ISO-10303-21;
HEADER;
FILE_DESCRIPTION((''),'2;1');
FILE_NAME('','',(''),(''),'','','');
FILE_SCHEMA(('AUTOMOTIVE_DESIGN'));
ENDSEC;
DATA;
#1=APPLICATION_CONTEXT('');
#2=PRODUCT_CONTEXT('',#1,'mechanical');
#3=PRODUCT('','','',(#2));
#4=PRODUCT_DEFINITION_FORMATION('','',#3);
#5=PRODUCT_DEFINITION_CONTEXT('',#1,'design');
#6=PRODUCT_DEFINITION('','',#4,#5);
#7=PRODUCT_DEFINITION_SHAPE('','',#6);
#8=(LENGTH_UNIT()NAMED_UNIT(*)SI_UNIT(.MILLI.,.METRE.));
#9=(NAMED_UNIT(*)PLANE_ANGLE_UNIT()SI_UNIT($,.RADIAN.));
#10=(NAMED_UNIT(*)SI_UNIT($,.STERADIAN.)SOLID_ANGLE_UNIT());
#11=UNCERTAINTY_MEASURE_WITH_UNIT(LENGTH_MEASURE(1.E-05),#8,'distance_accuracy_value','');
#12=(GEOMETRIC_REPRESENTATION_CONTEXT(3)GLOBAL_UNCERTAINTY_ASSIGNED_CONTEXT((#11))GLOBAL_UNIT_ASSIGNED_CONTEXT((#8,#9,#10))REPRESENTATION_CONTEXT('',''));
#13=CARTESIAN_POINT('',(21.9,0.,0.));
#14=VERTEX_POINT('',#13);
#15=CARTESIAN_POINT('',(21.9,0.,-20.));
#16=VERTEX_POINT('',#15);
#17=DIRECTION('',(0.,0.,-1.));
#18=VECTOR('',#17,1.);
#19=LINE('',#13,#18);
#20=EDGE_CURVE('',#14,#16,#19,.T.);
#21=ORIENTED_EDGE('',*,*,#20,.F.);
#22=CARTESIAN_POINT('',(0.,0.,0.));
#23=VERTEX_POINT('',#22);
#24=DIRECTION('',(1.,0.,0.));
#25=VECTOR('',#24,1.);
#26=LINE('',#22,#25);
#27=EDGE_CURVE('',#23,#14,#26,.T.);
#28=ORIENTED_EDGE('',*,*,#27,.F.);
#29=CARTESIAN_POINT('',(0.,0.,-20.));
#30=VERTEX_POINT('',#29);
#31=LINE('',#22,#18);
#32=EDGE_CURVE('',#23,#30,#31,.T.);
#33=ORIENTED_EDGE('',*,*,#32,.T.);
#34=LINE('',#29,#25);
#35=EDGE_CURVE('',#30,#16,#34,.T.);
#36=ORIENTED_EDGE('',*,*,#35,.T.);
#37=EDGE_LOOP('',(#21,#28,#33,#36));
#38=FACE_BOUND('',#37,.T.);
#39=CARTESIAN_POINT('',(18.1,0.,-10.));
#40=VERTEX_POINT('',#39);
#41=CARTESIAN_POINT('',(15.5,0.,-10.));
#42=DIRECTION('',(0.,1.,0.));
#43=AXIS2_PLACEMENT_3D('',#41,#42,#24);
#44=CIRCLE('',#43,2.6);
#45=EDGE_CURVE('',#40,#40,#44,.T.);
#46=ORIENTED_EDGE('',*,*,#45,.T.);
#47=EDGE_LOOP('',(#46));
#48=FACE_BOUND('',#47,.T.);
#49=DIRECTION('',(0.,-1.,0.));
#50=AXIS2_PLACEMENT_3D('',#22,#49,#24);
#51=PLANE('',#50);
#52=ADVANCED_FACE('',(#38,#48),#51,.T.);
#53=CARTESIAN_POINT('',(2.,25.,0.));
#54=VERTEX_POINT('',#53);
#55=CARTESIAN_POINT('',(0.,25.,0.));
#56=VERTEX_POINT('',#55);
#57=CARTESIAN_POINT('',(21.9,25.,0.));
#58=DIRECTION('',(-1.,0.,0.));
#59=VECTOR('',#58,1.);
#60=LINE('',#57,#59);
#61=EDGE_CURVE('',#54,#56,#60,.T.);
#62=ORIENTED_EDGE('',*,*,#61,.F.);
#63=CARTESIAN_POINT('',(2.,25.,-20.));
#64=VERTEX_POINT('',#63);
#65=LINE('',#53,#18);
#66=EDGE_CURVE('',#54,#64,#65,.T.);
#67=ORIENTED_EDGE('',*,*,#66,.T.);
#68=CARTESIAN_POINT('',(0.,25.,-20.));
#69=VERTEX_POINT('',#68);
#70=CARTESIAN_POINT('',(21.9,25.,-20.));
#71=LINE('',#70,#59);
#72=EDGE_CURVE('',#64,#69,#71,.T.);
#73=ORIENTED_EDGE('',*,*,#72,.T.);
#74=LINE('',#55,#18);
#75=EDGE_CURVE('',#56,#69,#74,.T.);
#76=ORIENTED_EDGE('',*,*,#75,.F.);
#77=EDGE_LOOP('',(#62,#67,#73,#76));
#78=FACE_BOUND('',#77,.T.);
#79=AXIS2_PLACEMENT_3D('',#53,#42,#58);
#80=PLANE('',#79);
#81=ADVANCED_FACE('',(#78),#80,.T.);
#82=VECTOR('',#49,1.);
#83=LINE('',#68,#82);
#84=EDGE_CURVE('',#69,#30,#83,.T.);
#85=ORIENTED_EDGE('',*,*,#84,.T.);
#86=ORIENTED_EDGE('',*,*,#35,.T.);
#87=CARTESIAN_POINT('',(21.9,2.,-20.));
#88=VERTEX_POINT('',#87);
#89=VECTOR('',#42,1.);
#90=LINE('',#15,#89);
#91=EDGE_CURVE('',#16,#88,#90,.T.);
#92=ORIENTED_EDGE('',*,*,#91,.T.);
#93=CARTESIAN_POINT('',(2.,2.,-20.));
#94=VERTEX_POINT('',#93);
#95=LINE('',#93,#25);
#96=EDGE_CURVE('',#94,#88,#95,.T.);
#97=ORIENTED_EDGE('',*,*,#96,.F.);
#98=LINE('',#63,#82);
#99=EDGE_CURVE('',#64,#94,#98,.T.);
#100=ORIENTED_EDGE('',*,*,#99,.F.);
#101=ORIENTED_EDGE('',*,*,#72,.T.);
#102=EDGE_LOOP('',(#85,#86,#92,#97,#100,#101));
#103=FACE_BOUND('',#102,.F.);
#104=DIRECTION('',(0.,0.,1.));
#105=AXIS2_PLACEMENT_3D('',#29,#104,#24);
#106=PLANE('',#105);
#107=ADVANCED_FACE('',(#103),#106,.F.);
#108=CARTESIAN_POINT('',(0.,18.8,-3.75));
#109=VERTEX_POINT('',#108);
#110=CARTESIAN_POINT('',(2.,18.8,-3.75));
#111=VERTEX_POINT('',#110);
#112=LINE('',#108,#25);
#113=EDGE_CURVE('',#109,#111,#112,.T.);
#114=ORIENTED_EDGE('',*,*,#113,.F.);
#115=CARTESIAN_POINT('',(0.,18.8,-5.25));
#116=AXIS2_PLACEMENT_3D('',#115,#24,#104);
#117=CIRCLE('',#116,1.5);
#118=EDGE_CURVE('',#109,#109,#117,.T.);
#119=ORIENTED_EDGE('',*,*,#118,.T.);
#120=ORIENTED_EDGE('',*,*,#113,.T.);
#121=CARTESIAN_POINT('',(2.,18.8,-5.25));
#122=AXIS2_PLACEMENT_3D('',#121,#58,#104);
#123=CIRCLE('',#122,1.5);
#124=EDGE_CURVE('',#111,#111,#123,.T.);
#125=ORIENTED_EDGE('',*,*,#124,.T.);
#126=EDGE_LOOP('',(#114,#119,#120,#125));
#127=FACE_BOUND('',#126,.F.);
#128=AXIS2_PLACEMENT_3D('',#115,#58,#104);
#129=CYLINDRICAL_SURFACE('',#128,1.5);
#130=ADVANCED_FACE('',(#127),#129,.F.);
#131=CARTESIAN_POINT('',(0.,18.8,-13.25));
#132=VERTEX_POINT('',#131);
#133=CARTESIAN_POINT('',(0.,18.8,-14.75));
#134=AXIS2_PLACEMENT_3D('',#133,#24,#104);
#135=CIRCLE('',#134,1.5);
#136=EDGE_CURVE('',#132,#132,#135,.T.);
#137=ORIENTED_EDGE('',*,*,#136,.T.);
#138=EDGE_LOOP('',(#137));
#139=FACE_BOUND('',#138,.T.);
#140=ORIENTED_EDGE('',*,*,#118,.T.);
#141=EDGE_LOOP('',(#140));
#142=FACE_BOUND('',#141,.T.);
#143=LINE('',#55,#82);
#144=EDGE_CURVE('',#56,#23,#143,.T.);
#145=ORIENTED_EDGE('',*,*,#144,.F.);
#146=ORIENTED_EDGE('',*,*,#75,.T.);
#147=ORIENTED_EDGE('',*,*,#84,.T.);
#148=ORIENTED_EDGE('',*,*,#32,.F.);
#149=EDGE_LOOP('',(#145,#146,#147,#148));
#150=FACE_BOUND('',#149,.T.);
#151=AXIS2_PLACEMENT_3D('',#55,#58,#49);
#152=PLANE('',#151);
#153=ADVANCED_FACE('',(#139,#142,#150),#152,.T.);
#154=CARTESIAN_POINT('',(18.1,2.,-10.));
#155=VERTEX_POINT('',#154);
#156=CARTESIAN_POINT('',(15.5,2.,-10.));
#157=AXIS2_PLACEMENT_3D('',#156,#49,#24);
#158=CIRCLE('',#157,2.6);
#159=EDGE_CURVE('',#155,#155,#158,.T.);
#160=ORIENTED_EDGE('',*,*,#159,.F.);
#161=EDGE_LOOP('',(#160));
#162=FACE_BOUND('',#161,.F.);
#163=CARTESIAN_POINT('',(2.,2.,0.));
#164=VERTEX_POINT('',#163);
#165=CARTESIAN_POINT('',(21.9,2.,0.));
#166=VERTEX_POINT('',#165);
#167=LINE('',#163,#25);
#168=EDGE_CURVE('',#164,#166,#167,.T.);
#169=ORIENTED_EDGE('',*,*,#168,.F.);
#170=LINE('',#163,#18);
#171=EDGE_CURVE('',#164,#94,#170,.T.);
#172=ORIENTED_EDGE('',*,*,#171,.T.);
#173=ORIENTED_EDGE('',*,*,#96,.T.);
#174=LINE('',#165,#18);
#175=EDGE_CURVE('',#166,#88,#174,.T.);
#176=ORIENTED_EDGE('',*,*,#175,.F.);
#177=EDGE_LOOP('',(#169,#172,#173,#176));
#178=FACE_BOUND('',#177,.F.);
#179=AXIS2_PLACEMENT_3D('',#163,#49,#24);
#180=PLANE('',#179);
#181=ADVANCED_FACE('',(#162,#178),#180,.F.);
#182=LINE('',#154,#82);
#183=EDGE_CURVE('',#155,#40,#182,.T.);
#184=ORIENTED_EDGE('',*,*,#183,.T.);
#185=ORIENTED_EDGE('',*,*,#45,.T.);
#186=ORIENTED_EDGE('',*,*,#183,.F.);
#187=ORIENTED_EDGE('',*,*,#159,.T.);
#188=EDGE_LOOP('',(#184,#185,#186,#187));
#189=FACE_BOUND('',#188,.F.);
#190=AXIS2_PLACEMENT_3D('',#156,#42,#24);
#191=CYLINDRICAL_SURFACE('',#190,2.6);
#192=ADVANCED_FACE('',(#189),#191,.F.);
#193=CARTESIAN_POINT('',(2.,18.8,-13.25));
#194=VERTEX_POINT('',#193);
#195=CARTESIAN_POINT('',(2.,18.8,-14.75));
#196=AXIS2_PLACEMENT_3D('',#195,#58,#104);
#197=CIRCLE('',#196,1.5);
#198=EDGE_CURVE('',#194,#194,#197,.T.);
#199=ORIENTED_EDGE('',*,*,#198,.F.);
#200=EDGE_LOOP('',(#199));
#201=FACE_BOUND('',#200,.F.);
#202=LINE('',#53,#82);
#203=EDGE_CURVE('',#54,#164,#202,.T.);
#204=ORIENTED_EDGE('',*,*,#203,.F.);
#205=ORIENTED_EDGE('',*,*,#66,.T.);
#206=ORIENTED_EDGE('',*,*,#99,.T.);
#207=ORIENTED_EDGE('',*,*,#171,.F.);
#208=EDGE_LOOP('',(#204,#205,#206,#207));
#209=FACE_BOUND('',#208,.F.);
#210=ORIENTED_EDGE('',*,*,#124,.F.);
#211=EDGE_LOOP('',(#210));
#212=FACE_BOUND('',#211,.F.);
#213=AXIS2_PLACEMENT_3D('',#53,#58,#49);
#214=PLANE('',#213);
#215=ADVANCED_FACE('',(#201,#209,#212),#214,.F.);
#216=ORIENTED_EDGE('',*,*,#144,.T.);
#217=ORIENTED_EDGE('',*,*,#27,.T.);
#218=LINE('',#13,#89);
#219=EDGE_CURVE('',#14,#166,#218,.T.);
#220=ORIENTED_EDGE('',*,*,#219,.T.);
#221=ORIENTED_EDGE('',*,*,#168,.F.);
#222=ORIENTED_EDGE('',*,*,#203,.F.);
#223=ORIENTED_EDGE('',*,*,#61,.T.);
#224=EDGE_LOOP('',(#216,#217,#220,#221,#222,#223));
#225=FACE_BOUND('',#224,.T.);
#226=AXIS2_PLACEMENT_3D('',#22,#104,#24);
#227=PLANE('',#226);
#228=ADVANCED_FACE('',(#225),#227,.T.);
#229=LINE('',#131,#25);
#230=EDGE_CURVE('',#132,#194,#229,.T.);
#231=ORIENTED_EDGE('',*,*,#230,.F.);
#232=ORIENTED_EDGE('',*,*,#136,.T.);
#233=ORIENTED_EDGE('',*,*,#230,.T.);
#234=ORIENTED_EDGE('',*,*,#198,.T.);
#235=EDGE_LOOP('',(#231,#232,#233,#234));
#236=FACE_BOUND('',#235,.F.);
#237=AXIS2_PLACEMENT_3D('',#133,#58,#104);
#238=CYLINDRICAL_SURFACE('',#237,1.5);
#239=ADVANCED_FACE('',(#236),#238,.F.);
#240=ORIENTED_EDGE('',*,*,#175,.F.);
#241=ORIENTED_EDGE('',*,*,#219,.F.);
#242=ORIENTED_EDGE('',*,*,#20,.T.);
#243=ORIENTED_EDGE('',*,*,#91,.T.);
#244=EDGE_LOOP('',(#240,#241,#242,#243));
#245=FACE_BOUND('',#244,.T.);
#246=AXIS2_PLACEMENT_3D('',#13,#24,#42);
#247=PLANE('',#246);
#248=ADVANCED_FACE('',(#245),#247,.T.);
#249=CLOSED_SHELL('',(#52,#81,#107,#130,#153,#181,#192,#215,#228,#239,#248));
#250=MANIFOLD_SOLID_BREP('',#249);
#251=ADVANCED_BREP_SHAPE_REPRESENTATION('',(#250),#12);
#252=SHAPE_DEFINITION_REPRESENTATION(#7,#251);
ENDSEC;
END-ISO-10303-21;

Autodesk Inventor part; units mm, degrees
ref_plane "YZ Plane" through (0, 0, 0) normal (1, 0, 0) x (0, 1, 0)
ref_plane "XZ Plane" through (0, 0, 0) normal (0, 1, 0) x (-1, 0, 0)
ref_plane "XY Plane" through (0, 0, 0) normal (0, 0, 1) x (1, 0, 0)
sketch "Sketch1" plane through (0, 0, 0) normal (0, 0, 1) x (1, 0, 0)
  line L0 (0, 0) -> (21.9, 0)
  line L1 (21.9, 0) -> (21.9, 25)
  line L2 (21.9, 25) -> (0, 25)
  line L3 (0, 25) -> (0, 0)
  line L4 (21.9, 25) -> (2, 25)
  line L5 (2, 25) -> (2, 2)
  line L6 (2, 2) -> (21.9, 2)
  line L7 (21.9, 2) -> (21.9, 25)
  point P0 (21.9, 2)
  dimension "d0" = 21.9
  dimension "d1" = 25
  dimension "d2" = 2
  dimension "d3" = 2
extrude "Extrusion1" add sketch "Sketch1" against normal blind 20 contours L3 L2 L5 L6 L1 L0
sketch "Sketch2" plane through (0, 0, 0) normal (-1, 0, 0) x (0, 0, 1)
  line L0 (-20, 2) -> (-20, 0) projected
  line L1 (-20, 0) -> (-20, 18.8)
  line L2 (-20, 18.8) -> (0, 18.8)
  line L3 (0, 25) -> (0, 0) projected
  circle A0 centre (-14.75, 18.8) radius 1.5
  circle A1 centre (-5.25, 18.8) radius 1.5
  dimension "d6" = 18.8
  dimension "d7" = 3
  dimension "d8" = 3
  dimension "d9" = 9.5
  dimension "d10" = 5.25
extrude "Extrusion2" cut sketch "Sketch2" against normal through all
sketch "Sketch4" plane through (2, 2, 0) normal (0, 1, 0) x (1, 0, 0)
  line L0 (0, 0) -> (0, 20) projected
  line L1 (0, 10) -> (13.5, 10)
  circle A0 centre (13.5, 10) radius 2.6
  point P0 (-2, 0)
  dimension "d13" = 13.5
  dimension "d14" = 5.2
extrude "Extrusion3" cut sketch "Sketch4" against normal through all
properties part number "LimitSwitch Center Gantry Mount"
